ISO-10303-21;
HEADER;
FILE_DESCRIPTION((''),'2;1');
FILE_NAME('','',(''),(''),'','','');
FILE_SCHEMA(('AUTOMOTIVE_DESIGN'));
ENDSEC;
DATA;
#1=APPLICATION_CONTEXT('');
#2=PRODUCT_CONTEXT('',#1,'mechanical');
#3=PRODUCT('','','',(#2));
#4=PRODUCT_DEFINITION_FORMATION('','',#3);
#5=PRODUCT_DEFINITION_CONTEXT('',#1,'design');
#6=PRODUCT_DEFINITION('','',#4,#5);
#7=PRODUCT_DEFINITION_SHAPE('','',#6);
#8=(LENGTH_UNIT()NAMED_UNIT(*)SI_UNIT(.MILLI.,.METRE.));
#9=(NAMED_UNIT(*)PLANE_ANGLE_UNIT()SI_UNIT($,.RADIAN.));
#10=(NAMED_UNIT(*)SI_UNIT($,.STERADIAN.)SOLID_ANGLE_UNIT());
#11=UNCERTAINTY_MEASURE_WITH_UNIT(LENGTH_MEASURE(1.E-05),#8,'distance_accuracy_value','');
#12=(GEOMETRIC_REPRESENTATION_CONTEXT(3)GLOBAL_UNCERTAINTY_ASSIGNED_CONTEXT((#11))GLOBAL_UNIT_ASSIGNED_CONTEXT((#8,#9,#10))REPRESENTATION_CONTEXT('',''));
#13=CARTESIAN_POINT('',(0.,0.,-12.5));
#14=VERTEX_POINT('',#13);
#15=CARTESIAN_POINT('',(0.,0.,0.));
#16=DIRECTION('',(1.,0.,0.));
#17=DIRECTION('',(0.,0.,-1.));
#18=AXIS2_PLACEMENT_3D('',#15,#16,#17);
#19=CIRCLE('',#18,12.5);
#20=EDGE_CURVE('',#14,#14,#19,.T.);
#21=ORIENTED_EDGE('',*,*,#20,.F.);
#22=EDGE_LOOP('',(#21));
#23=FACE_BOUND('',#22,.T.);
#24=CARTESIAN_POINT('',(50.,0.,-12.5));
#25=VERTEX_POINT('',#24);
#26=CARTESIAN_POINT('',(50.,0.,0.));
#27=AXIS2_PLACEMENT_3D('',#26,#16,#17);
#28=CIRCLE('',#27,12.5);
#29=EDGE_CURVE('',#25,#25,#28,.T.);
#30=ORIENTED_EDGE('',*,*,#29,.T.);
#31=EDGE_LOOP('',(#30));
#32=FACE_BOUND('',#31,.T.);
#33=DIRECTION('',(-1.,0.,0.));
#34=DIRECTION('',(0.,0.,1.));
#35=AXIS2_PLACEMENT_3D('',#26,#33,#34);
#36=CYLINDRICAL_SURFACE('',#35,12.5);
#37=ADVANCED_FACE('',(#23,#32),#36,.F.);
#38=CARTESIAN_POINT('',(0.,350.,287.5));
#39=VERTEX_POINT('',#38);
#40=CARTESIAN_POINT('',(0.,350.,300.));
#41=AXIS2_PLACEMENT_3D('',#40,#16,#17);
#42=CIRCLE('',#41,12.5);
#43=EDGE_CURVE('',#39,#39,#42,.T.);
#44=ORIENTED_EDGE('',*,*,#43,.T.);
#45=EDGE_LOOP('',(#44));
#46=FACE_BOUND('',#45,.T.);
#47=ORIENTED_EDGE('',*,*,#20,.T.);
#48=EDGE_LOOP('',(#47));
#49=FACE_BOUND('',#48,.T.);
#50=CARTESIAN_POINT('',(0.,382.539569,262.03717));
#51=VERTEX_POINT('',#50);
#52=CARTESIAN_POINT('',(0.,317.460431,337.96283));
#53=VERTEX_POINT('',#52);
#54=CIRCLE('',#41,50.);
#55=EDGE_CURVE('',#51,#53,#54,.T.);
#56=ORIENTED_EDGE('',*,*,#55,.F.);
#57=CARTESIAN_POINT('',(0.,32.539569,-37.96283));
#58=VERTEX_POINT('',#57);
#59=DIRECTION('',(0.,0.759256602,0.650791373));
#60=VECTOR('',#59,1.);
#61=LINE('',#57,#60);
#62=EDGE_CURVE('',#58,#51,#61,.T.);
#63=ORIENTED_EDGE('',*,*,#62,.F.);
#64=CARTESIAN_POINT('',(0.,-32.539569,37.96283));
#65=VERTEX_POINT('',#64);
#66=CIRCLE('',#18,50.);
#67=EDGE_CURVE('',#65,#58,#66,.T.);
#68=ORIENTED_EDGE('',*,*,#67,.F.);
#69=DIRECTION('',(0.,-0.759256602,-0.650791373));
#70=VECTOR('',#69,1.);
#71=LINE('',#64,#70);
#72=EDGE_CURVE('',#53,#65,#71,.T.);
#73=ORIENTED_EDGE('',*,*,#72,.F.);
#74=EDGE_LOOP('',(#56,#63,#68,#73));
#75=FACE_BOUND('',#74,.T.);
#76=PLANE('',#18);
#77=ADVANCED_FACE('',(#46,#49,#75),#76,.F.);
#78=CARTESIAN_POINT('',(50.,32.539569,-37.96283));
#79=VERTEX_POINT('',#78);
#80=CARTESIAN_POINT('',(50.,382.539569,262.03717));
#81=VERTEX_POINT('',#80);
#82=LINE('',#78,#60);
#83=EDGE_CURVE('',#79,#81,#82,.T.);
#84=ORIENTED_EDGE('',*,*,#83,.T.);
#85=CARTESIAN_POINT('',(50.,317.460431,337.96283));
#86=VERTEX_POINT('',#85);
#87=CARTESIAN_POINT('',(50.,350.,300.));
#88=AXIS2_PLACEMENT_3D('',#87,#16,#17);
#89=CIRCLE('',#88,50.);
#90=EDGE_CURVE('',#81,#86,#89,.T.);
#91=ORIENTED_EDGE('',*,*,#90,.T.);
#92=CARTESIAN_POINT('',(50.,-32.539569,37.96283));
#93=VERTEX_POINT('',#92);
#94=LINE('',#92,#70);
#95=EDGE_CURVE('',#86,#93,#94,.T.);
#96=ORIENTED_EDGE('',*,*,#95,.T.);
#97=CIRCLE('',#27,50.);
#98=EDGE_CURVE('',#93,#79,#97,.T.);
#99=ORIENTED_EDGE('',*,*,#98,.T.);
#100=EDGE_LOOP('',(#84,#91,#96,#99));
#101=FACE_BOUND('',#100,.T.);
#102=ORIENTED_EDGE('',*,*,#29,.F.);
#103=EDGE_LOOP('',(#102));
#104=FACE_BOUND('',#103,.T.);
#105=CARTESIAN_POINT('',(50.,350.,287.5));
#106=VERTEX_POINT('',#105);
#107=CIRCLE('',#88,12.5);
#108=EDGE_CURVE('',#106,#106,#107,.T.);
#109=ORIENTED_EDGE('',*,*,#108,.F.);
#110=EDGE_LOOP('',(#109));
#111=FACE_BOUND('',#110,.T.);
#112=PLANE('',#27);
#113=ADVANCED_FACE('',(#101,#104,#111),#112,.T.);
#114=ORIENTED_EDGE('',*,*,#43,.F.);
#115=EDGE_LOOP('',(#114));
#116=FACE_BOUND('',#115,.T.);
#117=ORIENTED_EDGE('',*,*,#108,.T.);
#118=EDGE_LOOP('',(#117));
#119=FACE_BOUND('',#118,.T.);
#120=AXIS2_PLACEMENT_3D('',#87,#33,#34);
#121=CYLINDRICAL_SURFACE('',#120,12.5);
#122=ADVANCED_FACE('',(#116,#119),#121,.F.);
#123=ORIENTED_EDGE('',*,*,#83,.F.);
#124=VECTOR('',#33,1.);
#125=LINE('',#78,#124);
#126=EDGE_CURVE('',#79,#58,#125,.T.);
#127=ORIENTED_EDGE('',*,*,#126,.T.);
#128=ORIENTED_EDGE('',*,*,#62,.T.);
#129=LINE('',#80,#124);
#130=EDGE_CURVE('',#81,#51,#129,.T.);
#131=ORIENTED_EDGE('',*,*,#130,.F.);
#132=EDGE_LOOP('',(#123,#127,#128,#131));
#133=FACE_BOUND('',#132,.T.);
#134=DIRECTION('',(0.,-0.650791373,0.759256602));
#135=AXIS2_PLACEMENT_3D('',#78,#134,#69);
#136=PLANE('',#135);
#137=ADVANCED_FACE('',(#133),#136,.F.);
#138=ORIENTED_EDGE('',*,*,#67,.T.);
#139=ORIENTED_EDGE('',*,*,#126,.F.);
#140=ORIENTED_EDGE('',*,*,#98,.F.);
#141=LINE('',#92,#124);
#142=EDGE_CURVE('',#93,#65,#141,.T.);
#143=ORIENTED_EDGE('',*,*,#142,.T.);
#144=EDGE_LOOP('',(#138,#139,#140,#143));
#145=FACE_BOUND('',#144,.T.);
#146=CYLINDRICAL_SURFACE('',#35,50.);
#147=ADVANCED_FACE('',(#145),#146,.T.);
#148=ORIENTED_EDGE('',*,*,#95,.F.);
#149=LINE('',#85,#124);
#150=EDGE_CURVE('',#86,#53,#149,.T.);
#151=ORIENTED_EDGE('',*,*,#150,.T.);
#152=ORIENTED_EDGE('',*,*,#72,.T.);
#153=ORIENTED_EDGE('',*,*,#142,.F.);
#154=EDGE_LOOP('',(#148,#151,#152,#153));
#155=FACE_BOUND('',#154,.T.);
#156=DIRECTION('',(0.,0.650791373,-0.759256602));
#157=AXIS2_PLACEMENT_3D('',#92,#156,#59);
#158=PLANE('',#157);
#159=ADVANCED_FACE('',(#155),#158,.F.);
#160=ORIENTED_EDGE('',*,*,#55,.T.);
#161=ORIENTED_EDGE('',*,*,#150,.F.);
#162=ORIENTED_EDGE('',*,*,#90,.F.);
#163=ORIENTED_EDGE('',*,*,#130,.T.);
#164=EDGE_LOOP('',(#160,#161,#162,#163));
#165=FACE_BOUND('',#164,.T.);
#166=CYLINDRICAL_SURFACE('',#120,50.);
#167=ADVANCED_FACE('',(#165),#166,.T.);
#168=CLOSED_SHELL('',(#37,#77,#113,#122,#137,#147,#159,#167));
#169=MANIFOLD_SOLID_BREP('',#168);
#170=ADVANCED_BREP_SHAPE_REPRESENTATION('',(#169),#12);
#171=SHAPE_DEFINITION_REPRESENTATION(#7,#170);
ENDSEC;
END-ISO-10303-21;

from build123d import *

# Parameters (mm, degrees)
SKETCH1_R           = 12.5
BOSS_EXTRUDE1_DEPTH = 50


with BuildPart() as part:
    # Sketch1 → Boss-Extrude1 (new body)
    with BuildSketch(Plane(origin=(0, 0, 0), x_dir=(0, 0, -1), z_dir=(1, 0, 0))):
        with BuildLine():
            Line((-37.962830118, -32.539568673), (-337.962830118, 317.460431327))
            ThreePointArc((-337.962830118, 317.460431327), (-332.539568673, 387.962830118), (-262.037169882, 382.539568673))
            Line((-262.037169882, 382.539568673), (37.962830118, 32.539568673))
            ThreePointArc((37.962830118, 32.539568673), (32.539568673, -37.962830118), (-37.962830118, -32.539568673))
        make_face()
        with Locations((-300, 350)):
            Circle(SKETCH1_R, mode=Mode.SUBTRACT)
        Circle(SKETCH1_R, mode=Mode.SUBTRACT)
    extrude(amount=BOSS_EXTRUDE1_DEPTH)


solid = part.part
